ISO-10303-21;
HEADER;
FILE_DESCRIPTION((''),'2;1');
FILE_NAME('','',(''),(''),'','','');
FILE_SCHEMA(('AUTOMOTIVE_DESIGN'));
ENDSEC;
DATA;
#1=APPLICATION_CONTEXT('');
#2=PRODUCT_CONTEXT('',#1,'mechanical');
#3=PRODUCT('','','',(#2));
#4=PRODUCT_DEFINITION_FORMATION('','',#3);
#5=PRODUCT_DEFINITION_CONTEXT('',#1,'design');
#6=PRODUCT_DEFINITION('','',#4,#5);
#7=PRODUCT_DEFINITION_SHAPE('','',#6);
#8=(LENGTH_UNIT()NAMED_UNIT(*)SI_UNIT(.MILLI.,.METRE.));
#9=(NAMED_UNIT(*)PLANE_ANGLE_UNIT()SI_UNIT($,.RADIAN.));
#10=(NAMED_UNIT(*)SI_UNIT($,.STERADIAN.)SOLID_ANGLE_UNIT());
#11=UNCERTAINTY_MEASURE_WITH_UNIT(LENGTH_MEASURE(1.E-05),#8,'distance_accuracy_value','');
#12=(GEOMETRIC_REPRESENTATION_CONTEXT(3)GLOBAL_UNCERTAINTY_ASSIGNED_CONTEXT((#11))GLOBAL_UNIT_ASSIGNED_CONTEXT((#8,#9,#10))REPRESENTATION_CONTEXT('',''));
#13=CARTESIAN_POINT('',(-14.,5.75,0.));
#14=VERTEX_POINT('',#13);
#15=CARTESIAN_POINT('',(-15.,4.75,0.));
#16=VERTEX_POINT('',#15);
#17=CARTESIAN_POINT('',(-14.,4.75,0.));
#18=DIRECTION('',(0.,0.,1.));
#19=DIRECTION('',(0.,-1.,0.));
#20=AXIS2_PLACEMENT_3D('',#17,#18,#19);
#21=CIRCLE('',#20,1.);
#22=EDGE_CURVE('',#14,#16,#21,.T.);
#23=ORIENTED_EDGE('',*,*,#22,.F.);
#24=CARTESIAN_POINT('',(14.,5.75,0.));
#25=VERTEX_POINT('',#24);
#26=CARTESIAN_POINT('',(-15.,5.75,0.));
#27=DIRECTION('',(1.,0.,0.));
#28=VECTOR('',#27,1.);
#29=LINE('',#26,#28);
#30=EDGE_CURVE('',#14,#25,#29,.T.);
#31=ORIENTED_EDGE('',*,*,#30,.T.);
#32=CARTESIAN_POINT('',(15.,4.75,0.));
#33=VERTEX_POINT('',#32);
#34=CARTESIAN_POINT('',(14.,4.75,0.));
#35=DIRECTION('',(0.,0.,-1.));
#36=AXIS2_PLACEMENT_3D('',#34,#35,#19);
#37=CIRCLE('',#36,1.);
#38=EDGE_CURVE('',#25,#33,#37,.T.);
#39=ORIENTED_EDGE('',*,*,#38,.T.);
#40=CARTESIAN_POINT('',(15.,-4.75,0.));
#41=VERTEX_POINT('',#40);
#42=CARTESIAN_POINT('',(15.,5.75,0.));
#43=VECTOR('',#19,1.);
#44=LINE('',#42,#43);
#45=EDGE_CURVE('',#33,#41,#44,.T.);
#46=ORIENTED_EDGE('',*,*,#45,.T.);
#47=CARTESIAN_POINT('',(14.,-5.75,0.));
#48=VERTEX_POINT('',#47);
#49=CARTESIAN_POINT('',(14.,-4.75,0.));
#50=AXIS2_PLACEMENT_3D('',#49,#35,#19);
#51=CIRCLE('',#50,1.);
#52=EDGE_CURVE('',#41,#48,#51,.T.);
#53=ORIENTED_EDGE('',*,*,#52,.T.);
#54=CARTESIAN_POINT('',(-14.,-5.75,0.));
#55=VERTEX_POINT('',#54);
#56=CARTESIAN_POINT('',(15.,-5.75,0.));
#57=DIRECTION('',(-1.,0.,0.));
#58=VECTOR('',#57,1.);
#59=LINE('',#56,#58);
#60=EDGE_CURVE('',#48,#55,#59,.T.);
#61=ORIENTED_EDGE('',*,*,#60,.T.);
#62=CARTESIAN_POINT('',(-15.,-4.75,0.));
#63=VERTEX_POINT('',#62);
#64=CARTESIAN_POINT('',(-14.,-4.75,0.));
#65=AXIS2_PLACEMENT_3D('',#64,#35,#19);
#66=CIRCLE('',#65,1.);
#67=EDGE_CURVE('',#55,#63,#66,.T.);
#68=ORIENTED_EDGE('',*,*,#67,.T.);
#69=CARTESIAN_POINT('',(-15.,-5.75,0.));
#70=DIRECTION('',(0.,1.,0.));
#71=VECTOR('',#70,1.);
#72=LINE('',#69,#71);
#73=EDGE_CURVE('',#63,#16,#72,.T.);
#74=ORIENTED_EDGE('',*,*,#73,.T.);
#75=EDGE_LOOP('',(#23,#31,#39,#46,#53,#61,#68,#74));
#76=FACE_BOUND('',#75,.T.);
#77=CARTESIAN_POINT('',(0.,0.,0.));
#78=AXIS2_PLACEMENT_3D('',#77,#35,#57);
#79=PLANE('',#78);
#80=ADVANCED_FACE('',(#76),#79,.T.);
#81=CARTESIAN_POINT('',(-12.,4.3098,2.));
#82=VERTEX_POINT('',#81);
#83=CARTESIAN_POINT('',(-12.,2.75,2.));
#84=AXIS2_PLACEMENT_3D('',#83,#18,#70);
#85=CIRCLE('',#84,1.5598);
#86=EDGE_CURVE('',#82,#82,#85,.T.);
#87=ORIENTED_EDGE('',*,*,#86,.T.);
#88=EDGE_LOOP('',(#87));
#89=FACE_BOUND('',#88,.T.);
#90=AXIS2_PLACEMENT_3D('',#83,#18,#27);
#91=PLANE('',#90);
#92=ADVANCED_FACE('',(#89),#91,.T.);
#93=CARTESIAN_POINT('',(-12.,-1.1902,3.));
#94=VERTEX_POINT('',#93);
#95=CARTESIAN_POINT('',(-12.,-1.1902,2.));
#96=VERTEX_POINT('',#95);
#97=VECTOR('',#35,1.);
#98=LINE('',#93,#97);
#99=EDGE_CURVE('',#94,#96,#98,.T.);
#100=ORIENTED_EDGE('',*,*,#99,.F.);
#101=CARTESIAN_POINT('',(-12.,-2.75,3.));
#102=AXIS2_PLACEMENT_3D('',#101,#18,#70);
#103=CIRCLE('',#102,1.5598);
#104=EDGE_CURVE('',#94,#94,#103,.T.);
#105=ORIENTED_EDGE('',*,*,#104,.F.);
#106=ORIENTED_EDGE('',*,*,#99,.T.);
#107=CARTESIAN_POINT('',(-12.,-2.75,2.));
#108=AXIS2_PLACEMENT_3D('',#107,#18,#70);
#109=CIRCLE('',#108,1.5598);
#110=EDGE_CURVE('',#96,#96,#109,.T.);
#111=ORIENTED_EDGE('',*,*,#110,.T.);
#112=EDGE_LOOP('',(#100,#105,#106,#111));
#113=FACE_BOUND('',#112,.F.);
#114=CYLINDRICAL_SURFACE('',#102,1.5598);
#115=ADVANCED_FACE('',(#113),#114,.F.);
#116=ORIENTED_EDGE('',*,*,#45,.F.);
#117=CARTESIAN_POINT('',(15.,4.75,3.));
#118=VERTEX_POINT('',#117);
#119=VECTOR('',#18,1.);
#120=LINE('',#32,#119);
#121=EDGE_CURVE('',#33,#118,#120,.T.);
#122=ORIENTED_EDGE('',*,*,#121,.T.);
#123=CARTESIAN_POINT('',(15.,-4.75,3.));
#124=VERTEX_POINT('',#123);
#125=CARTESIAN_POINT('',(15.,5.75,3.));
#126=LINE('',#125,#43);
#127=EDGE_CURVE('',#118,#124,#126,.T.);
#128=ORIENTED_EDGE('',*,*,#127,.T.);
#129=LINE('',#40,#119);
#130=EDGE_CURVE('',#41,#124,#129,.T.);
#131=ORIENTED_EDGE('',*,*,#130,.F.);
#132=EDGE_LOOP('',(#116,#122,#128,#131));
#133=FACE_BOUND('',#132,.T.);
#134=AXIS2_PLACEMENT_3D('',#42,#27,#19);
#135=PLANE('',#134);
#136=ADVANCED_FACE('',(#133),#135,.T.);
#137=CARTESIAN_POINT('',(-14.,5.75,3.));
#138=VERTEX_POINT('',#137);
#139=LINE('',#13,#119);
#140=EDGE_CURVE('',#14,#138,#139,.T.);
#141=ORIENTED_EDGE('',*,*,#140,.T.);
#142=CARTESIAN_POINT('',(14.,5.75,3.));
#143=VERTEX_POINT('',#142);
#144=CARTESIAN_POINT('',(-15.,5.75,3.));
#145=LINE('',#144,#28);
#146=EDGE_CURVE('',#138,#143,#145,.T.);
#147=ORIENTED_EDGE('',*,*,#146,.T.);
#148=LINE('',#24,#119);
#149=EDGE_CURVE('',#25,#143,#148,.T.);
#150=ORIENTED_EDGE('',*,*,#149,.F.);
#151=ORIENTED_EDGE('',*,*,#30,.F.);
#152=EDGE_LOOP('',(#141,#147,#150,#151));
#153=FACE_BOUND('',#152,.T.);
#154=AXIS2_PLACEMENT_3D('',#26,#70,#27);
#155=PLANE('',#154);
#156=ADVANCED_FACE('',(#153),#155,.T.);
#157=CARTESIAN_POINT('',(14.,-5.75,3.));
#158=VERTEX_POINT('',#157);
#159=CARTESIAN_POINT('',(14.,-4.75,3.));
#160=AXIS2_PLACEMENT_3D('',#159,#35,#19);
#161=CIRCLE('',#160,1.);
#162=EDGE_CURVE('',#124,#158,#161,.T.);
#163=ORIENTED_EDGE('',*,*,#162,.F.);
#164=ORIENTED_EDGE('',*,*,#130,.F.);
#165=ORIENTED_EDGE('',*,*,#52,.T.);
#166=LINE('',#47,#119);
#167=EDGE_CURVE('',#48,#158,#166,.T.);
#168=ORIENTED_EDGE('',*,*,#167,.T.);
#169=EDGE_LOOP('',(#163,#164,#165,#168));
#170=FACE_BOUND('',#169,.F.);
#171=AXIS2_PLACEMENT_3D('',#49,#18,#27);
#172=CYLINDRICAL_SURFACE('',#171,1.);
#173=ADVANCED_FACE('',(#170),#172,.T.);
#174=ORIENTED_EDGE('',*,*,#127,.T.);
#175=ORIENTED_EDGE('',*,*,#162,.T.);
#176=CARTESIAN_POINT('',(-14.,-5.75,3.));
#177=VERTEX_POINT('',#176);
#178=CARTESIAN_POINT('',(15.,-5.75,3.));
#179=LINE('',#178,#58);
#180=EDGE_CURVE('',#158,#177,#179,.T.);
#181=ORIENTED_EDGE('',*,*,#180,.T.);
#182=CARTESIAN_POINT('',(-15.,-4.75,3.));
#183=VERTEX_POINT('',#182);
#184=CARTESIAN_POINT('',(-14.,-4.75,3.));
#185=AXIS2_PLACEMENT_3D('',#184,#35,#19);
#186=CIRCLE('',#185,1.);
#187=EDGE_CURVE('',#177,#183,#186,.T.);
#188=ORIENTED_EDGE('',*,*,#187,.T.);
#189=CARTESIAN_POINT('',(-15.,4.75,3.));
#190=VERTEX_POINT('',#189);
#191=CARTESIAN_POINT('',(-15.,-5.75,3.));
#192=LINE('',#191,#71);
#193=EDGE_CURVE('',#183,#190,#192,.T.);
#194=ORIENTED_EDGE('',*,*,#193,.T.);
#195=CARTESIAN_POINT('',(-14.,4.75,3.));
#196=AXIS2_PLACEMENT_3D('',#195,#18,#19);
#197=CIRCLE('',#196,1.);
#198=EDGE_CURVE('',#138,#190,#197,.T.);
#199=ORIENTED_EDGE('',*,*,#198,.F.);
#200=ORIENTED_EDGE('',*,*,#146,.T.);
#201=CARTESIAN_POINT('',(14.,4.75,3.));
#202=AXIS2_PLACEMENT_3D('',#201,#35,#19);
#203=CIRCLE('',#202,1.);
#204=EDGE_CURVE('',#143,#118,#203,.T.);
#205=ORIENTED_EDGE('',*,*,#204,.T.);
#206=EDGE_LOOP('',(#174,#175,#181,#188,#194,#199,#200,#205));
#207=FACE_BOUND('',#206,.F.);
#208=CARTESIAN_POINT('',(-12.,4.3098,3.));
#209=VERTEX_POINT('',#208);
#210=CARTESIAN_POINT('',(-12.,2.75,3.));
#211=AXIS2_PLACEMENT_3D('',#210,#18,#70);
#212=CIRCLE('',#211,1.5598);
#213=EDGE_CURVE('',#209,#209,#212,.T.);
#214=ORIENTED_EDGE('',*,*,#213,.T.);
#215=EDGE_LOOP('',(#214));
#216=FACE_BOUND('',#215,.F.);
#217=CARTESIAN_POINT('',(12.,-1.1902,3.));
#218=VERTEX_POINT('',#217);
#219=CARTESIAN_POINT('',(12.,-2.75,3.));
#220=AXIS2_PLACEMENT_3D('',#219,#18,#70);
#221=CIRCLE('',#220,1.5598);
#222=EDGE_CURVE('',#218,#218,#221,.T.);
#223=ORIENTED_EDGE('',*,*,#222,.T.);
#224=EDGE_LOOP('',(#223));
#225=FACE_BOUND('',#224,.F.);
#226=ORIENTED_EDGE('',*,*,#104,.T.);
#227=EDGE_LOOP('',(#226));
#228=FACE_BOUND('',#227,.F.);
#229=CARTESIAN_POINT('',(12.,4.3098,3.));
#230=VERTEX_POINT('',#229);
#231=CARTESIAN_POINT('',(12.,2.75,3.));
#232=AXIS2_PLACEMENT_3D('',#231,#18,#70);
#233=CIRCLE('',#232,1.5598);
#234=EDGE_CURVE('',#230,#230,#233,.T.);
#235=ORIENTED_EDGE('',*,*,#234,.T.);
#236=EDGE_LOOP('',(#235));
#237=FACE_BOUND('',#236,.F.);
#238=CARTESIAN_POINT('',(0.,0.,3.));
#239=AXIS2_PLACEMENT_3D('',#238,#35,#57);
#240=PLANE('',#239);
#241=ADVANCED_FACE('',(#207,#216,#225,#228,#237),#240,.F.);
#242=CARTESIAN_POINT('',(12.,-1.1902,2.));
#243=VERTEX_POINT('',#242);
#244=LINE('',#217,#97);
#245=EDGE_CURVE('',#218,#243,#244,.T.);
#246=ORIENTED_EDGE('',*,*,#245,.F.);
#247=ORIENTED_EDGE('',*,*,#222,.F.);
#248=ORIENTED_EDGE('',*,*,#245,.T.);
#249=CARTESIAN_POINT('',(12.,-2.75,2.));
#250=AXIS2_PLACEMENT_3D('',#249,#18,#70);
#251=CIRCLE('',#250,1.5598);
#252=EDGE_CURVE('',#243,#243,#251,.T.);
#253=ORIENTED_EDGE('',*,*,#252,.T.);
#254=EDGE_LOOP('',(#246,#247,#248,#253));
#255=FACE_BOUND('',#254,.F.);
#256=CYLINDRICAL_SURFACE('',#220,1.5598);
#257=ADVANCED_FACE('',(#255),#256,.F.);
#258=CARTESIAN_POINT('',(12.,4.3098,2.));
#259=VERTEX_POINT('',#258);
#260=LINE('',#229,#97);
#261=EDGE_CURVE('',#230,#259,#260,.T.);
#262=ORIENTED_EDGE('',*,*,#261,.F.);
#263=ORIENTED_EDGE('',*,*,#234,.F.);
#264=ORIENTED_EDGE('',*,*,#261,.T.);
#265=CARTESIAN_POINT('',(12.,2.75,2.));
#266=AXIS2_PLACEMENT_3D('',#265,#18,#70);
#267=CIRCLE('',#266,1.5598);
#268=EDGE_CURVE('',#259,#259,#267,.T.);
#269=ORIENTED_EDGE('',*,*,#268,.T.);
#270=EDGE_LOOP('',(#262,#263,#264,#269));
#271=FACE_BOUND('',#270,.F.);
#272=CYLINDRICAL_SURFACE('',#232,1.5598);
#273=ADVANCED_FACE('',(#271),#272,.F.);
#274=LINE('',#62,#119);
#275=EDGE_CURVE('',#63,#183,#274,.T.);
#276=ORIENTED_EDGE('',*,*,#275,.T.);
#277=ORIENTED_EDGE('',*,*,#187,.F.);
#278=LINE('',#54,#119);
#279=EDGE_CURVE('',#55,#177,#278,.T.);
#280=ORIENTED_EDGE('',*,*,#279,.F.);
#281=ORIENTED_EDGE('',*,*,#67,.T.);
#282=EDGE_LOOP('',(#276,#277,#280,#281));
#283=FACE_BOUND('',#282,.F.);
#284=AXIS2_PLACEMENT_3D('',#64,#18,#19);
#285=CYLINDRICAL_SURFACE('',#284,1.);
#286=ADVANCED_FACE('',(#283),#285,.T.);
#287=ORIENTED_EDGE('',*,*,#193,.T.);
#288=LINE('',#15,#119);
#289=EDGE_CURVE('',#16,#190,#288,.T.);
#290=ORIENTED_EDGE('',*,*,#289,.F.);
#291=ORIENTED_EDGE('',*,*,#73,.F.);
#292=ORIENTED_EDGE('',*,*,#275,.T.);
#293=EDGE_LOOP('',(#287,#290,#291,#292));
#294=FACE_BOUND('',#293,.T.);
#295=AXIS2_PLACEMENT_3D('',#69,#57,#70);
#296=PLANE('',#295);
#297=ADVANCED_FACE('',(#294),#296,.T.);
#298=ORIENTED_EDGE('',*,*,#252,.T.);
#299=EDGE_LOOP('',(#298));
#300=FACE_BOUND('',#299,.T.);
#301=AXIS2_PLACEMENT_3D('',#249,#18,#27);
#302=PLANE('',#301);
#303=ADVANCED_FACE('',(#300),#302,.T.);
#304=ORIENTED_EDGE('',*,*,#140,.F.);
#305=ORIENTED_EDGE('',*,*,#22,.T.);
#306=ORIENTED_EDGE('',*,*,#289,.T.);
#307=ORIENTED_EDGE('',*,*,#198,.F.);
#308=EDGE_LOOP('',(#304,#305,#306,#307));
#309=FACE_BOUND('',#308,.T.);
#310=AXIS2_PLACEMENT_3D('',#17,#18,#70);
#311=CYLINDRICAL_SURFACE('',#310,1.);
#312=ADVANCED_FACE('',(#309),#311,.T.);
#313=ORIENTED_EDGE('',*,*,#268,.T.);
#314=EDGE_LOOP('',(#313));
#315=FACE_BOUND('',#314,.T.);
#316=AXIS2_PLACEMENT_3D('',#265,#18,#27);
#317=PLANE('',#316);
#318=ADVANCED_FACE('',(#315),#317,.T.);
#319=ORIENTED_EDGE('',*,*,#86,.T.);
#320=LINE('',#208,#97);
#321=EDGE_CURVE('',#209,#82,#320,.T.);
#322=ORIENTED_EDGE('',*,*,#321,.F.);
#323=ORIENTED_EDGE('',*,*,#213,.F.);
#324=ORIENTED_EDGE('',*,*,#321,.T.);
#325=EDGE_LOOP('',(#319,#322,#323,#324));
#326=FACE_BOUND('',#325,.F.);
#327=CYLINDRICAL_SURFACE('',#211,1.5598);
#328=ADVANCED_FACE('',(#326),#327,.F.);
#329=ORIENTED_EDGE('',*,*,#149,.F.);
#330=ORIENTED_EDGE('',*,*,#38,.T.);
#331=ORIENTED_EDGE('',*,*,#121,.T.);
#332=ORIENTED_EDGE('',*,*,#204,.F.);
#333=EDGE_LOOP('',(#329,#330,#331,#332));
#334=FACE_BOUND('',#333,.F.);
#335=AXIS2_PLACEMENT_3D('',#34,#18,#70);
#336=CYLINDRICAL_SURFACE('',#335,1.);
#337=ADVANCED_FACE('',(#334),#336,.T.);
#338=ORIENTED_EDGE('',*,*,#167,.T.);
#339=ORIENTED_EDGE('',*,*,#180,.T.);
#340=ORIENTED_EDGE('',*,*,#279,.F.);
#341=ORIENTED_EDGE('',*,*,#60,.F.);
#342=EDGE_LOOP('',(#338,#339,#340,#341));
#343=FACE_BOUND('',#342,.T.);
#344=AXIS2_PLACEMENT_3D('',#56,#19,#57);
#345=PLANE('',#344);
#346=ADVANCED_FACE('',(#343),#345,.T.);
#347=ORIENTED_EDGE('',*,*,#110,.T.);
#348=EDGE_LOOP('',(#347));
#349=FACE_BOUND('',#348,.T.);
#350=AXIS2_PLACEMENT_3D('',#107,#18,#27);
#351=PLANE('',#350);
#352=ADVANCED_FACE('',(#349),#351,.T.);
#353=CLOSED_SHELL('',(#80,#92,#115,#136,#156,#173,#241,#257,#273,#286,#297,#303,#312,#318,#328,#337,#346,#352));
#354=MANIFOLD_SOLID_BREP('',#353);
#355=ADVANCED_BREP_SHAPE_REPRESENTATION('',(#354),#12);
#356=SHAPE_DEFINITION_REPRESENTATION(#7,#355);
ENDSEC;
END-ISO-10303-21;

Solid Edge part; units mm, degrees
sketch "Sketch1" plane through (0, 0, 0) normal (0, 0, 1) x (1, 0, 0)
  line L0 (-15, 5.75) -> (15, 5.75)
  line L1 (15, 5.75) -> (15, -5.75)
  line L2 (15, -5.75) -> (-15, -5.75)
  line L3 (-15, -5.75) -> (-15, 5.75)
  dimension "D1" = 30
  dimension "D2" = 11.5
extrude "Protrusion1" add sketch "Sketch1" along normal blind 3
fillet "Avrundningar_1" radius 1 4 edges at (-15, -5.75, 1.5) (15, -5.75, 1.5) (15, 5.75, 1.5) (-15, 5.75, 1.5)
sketch "Sketch2" plane through (0, 0, 3) normal (0, 0, 1) x (0, 1, 0)
  circle A0 centre (-2.75, 12) radius 1.5598
  circle A1 centre (2.75, 12) radius 1.5598
  circle A2 centre (-2.75, -12) radius 1.5598
  circle A3 centre (2.75, -12) radius 1.5598
  dimension "D1" = 3
  dimension "D2" = 3
  dimension "D3" = 3
  dimension "D4" = 3
  dimension "D5" = 3.1196
  dimension "D6" = 3.1196
  dimension "D7" = 3.1196
  dimension "D8" = 3.1196
extrude "Försänkningar_för_fjäder" cut sketch "Sketch2" against normal blind 1
